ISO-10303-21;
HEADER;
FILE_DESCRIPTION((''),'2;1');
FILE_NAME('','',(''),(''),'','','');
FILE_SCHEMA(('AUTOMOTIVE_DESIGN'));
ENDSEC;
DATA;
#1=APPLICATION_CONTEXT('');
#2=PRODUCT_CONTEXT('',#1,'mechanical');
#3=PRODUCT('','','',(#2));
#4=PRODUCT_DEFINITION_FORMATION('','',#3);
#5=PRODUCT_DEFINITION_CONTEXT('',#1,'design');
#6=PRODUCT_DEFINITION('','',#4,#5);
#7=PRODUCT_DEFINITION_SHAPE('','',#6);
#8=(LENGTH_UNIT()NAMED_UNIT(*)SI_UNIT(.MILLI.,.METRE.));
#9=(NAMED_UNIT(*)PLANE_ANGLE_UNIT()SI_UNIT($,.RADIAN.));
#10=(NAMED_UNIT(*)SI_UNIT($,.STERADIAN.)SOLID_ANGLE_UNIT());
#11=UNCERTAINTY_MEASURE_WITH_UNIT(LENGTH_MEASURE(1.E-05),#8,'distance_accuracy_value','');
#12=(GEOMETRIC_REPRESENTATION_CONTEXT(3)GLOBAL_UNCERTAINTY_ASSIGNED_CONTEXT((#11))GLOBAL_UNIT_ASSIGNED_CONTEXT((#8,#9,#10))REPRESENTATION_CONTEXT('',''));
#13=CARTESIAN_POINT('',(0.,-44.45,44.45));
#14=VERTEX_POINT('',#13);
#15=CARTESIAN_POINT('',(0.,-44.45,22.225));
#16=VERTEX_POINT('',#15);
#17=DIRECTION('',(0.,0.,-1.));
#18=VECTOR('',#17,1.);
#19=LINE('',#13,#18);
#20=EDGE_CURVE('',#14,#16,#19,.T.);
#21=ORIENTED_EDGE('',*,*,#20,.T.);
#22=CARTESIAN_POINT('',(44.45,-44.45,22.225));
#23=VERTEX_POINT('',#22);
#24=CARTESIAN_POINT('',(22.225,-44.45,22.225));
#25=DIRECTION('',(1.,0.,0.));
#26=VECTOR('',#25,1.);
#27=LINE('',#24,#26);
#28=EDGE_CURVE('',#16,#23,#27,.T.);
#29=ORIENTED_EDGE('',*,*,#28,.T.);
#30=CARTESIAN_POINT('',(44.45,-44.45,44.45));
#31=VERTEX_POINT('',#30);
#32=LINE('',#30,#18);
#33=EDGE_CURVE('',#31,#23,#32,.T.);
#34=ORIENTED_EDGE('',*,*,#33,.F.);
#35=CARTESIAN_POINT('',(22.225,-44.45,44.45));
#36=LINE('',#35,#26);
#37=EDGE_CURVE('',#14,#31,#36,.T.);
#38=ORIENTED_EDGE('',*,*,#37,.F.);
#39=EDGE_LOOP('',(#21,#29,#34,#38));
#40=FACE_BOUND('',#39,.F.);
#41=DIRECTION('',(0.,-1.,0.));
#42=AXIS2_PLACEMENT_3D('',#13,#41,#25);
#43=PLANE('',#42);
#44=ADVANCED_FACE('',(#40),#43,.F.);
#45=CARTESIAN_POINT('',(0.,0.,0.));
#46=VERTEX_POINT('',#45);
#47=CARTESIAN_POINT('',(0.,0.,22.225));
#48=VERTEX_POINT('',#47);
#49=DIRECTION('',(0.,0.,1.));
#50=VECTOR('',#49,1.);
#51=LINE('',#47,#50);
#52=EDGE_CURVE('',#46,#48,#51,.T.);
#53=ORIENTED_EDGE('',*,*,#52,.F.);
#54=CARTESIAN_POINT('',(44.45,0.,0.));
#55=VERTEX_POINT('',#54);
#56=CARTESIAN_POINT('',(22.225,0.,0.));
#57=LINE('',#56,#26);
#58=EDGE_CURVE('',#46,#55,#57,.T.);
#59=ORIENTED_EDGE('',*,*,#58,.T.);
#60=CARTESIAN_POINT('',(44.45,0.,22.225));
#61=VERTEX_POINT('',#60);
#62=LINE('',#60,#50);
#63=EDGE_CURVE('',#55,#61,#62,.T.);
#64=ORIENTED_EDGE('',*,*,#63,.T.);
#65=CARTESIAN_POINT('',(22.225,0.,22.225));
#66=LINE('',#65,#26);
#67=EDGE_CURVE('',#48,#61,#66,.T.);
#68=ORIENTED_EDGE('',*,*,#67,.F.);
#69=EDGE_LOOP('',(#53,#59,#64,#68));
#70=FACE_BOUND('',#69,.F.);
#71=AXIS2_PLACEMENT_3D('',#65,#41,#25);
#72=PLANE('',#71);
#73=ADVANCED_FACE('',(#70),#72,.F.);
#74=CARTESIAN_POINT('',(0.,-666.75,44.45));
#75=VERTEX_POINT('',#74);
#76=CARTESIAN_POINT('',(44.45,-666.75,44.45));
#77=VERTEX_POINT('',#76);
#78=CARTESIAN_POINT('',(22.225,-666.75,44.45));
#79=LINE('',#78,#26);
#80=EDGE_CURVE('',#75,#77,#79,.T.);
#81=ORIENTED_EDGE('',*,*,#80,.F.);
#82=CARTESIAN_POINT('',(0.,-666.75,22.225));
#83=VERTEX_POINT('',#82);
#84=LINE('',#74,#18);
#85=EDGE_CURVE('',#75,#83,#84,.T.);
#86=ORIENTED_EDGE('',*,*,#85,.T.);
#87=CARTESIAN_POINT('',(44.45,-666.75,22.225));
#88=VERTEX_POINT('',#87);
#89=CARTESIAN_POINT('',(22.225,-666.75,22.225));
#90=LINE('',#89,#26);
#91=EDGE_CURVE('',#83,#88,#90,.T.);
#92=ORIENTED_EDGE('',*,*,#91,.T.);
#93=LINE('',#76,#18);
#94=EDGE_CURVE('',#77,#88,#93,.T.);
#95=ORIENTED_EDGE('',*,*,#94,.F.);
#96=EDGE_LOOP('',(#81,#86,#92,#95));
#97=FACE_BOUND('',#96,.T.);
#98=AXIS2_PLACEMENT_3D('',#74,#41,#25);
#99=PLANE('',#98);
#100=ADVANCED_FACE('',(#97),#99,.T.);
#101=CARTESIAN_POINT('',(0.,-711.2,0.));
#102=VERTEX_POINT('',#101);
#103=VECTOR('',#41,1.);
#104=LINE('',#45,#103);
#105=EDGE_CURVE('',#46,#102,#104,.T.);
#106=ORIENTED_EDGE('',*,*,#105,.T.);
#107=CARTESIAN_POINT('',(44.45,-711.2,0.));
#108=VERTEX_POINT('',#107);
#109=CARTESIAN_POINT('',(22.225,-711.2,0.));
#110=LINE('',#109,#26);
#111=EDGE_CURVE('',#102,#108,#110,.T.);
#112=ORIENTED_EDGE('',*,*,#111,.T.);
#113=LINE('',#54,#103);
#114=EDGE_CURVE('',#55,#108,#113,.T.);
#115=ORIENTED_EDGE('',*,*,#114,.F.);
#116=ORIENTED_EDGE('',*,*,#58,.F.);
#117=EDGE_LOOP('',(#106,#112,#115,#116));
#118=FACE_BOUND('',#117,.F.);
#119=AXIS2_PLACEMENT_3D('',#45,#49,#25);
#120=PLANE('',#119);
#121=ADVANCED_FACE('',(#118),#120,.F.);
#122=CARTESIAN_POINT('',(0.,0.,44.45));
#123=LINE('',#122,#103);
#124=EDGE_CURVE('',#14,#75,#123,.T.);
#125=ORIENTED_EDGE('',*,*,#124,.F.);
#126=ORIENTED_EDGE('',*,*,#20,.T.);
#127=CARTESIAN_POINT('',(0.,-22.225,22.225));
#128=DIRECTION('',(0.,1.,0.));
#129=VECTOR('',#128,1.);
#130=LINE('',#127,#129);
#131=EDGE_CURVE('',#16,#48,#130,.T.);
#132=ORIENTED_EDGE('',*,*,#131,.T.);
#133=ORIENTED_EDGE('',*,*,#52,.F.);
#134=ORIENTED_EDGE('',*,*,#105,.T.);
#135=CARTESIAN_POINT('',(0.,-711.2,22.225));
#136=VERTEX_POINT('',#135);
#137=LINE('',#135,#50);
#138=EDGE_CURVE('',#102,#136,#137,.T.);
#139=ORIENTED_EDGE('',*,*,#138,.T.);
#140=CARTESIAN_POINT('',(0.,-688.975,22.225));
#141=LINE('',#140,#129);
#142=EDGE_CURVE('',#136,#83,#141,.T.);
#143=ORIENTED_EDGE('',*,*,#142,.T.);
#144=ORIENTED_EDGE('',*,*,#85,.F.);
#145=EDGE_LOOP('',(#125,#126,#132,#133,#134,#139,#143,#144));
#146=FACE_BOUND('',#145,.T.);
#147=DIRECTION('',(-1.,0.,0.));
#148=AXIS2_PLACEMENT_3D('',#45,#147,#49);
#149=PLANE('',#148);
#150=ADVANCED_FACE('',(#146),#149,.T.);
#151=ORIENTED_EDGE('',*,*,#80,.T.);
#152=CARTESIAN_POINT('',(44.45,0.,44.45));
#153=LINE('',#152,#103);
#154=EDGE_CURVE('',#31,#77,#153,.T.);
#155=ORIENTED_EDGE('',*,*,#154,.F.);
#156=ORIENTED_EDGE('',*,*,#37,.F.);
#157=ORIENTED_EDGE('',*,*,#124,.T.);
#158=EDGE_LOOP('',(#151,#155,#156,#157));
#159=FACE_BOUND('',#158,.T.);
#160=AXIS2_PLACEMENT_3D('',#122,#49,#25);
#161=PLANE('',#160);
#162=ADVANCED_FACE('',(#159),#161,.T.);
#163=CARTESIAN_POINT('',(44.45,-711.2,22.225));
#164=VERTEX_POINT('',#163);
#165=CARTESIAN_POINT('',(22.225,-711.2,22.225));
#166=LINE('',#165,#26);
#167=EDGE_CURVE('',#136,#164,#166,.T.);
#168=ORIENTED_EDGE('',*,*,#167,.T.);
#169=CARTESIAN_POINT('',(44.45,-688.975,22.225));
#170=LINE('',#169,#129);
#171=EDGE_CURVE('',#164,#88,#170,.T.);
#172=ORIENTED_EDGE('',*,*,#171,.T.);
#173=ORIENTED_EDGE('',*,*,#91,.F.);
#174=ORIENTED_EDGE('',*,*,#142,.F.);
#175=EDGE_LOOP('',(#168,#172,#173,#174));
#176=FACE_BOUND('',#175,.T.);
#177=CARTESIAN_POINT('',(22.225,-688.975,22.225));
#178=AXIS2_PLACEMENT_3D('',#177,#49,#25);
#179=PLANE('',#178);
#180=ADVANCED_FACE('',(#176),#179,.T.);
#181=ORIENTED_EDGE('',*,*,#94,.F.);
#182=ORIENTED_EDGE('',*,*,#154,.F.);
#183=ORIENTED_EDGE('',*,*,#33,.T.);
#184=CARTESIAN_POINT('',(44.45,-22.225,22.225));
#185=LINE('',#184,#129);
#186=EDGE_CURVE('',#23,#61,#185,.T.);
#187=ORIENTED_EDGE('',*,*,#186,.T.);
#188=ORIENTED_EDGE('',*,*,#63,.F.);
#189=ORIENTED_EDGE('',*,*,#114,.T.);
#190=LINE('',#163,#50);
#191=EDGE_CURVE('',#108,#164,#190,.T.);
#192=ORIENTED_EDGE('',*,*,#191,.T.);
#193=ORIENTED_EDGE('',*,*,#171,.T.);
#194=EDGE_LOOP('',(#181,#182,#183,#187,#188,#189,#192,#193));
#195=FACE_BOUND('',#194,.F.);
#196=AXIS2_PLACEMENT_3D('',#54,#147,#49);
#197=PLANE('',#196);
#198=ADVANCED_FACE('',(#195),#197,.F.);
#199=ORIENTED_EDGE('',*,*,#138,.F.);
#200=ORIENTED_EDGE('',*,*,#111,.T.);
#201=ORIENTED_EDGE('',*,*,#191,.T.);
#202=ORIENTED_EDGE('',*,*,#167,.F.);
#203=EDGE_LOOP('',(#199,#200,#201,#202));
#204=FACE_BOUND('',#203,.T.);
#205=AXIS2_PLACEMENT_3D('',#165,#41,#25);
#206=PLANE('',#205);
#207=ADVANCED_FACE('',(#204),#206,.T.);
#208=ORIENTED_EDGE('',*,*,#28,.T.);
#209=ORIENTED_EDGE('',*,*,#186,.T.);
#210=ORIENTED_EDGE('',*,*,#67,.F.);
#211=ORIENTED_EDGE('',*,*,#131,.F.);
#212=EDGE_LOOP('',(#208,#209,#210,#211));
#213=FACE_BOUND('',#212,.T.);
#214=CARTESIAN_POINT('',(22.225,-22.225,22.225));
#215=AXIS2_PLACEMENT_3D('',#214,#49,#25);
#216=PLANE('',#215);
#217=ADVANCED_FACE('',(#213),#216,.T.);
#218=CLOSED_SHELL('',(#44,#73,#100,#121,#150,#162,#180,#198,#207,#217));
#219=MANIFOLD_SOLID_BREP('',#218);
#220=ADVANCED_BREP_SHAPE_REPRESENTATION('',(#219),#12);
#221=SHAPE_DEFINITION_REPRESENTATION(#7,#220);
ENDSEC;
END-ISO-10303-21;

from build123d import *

# Parameters (mm, degrees)
F0_W     = 44.45
F0_H     = 44.45
F1_DEPTH = 711.2
F2_W     = 44.45
F2_H     = 44.45
F3_DEPTH = 22.225


with BuildPart() as f1:
    # F0 (on Front) → F1 (new body)
    with BuildSketch(Plane.XZ):
        with Locations((22.225, 22.225)):
            Rectangle(F0_W, F0_H)
    extrude(amount=F1_DEPTH)

    # F2 (on face) → F3 (cut)
    with BuildSketch(Plane.XY.offset(44.45)):
        with Locations((22.225, -688.975)):
            Rectangle(F2_W, F2_H)
        with Locations((22.225, -22.225)):
            Rectangle(F2_W, F2_H)
    extrude(amount=-F3_DEPTH, mode=Mode.SUBTRACT)


solid = f1.part
